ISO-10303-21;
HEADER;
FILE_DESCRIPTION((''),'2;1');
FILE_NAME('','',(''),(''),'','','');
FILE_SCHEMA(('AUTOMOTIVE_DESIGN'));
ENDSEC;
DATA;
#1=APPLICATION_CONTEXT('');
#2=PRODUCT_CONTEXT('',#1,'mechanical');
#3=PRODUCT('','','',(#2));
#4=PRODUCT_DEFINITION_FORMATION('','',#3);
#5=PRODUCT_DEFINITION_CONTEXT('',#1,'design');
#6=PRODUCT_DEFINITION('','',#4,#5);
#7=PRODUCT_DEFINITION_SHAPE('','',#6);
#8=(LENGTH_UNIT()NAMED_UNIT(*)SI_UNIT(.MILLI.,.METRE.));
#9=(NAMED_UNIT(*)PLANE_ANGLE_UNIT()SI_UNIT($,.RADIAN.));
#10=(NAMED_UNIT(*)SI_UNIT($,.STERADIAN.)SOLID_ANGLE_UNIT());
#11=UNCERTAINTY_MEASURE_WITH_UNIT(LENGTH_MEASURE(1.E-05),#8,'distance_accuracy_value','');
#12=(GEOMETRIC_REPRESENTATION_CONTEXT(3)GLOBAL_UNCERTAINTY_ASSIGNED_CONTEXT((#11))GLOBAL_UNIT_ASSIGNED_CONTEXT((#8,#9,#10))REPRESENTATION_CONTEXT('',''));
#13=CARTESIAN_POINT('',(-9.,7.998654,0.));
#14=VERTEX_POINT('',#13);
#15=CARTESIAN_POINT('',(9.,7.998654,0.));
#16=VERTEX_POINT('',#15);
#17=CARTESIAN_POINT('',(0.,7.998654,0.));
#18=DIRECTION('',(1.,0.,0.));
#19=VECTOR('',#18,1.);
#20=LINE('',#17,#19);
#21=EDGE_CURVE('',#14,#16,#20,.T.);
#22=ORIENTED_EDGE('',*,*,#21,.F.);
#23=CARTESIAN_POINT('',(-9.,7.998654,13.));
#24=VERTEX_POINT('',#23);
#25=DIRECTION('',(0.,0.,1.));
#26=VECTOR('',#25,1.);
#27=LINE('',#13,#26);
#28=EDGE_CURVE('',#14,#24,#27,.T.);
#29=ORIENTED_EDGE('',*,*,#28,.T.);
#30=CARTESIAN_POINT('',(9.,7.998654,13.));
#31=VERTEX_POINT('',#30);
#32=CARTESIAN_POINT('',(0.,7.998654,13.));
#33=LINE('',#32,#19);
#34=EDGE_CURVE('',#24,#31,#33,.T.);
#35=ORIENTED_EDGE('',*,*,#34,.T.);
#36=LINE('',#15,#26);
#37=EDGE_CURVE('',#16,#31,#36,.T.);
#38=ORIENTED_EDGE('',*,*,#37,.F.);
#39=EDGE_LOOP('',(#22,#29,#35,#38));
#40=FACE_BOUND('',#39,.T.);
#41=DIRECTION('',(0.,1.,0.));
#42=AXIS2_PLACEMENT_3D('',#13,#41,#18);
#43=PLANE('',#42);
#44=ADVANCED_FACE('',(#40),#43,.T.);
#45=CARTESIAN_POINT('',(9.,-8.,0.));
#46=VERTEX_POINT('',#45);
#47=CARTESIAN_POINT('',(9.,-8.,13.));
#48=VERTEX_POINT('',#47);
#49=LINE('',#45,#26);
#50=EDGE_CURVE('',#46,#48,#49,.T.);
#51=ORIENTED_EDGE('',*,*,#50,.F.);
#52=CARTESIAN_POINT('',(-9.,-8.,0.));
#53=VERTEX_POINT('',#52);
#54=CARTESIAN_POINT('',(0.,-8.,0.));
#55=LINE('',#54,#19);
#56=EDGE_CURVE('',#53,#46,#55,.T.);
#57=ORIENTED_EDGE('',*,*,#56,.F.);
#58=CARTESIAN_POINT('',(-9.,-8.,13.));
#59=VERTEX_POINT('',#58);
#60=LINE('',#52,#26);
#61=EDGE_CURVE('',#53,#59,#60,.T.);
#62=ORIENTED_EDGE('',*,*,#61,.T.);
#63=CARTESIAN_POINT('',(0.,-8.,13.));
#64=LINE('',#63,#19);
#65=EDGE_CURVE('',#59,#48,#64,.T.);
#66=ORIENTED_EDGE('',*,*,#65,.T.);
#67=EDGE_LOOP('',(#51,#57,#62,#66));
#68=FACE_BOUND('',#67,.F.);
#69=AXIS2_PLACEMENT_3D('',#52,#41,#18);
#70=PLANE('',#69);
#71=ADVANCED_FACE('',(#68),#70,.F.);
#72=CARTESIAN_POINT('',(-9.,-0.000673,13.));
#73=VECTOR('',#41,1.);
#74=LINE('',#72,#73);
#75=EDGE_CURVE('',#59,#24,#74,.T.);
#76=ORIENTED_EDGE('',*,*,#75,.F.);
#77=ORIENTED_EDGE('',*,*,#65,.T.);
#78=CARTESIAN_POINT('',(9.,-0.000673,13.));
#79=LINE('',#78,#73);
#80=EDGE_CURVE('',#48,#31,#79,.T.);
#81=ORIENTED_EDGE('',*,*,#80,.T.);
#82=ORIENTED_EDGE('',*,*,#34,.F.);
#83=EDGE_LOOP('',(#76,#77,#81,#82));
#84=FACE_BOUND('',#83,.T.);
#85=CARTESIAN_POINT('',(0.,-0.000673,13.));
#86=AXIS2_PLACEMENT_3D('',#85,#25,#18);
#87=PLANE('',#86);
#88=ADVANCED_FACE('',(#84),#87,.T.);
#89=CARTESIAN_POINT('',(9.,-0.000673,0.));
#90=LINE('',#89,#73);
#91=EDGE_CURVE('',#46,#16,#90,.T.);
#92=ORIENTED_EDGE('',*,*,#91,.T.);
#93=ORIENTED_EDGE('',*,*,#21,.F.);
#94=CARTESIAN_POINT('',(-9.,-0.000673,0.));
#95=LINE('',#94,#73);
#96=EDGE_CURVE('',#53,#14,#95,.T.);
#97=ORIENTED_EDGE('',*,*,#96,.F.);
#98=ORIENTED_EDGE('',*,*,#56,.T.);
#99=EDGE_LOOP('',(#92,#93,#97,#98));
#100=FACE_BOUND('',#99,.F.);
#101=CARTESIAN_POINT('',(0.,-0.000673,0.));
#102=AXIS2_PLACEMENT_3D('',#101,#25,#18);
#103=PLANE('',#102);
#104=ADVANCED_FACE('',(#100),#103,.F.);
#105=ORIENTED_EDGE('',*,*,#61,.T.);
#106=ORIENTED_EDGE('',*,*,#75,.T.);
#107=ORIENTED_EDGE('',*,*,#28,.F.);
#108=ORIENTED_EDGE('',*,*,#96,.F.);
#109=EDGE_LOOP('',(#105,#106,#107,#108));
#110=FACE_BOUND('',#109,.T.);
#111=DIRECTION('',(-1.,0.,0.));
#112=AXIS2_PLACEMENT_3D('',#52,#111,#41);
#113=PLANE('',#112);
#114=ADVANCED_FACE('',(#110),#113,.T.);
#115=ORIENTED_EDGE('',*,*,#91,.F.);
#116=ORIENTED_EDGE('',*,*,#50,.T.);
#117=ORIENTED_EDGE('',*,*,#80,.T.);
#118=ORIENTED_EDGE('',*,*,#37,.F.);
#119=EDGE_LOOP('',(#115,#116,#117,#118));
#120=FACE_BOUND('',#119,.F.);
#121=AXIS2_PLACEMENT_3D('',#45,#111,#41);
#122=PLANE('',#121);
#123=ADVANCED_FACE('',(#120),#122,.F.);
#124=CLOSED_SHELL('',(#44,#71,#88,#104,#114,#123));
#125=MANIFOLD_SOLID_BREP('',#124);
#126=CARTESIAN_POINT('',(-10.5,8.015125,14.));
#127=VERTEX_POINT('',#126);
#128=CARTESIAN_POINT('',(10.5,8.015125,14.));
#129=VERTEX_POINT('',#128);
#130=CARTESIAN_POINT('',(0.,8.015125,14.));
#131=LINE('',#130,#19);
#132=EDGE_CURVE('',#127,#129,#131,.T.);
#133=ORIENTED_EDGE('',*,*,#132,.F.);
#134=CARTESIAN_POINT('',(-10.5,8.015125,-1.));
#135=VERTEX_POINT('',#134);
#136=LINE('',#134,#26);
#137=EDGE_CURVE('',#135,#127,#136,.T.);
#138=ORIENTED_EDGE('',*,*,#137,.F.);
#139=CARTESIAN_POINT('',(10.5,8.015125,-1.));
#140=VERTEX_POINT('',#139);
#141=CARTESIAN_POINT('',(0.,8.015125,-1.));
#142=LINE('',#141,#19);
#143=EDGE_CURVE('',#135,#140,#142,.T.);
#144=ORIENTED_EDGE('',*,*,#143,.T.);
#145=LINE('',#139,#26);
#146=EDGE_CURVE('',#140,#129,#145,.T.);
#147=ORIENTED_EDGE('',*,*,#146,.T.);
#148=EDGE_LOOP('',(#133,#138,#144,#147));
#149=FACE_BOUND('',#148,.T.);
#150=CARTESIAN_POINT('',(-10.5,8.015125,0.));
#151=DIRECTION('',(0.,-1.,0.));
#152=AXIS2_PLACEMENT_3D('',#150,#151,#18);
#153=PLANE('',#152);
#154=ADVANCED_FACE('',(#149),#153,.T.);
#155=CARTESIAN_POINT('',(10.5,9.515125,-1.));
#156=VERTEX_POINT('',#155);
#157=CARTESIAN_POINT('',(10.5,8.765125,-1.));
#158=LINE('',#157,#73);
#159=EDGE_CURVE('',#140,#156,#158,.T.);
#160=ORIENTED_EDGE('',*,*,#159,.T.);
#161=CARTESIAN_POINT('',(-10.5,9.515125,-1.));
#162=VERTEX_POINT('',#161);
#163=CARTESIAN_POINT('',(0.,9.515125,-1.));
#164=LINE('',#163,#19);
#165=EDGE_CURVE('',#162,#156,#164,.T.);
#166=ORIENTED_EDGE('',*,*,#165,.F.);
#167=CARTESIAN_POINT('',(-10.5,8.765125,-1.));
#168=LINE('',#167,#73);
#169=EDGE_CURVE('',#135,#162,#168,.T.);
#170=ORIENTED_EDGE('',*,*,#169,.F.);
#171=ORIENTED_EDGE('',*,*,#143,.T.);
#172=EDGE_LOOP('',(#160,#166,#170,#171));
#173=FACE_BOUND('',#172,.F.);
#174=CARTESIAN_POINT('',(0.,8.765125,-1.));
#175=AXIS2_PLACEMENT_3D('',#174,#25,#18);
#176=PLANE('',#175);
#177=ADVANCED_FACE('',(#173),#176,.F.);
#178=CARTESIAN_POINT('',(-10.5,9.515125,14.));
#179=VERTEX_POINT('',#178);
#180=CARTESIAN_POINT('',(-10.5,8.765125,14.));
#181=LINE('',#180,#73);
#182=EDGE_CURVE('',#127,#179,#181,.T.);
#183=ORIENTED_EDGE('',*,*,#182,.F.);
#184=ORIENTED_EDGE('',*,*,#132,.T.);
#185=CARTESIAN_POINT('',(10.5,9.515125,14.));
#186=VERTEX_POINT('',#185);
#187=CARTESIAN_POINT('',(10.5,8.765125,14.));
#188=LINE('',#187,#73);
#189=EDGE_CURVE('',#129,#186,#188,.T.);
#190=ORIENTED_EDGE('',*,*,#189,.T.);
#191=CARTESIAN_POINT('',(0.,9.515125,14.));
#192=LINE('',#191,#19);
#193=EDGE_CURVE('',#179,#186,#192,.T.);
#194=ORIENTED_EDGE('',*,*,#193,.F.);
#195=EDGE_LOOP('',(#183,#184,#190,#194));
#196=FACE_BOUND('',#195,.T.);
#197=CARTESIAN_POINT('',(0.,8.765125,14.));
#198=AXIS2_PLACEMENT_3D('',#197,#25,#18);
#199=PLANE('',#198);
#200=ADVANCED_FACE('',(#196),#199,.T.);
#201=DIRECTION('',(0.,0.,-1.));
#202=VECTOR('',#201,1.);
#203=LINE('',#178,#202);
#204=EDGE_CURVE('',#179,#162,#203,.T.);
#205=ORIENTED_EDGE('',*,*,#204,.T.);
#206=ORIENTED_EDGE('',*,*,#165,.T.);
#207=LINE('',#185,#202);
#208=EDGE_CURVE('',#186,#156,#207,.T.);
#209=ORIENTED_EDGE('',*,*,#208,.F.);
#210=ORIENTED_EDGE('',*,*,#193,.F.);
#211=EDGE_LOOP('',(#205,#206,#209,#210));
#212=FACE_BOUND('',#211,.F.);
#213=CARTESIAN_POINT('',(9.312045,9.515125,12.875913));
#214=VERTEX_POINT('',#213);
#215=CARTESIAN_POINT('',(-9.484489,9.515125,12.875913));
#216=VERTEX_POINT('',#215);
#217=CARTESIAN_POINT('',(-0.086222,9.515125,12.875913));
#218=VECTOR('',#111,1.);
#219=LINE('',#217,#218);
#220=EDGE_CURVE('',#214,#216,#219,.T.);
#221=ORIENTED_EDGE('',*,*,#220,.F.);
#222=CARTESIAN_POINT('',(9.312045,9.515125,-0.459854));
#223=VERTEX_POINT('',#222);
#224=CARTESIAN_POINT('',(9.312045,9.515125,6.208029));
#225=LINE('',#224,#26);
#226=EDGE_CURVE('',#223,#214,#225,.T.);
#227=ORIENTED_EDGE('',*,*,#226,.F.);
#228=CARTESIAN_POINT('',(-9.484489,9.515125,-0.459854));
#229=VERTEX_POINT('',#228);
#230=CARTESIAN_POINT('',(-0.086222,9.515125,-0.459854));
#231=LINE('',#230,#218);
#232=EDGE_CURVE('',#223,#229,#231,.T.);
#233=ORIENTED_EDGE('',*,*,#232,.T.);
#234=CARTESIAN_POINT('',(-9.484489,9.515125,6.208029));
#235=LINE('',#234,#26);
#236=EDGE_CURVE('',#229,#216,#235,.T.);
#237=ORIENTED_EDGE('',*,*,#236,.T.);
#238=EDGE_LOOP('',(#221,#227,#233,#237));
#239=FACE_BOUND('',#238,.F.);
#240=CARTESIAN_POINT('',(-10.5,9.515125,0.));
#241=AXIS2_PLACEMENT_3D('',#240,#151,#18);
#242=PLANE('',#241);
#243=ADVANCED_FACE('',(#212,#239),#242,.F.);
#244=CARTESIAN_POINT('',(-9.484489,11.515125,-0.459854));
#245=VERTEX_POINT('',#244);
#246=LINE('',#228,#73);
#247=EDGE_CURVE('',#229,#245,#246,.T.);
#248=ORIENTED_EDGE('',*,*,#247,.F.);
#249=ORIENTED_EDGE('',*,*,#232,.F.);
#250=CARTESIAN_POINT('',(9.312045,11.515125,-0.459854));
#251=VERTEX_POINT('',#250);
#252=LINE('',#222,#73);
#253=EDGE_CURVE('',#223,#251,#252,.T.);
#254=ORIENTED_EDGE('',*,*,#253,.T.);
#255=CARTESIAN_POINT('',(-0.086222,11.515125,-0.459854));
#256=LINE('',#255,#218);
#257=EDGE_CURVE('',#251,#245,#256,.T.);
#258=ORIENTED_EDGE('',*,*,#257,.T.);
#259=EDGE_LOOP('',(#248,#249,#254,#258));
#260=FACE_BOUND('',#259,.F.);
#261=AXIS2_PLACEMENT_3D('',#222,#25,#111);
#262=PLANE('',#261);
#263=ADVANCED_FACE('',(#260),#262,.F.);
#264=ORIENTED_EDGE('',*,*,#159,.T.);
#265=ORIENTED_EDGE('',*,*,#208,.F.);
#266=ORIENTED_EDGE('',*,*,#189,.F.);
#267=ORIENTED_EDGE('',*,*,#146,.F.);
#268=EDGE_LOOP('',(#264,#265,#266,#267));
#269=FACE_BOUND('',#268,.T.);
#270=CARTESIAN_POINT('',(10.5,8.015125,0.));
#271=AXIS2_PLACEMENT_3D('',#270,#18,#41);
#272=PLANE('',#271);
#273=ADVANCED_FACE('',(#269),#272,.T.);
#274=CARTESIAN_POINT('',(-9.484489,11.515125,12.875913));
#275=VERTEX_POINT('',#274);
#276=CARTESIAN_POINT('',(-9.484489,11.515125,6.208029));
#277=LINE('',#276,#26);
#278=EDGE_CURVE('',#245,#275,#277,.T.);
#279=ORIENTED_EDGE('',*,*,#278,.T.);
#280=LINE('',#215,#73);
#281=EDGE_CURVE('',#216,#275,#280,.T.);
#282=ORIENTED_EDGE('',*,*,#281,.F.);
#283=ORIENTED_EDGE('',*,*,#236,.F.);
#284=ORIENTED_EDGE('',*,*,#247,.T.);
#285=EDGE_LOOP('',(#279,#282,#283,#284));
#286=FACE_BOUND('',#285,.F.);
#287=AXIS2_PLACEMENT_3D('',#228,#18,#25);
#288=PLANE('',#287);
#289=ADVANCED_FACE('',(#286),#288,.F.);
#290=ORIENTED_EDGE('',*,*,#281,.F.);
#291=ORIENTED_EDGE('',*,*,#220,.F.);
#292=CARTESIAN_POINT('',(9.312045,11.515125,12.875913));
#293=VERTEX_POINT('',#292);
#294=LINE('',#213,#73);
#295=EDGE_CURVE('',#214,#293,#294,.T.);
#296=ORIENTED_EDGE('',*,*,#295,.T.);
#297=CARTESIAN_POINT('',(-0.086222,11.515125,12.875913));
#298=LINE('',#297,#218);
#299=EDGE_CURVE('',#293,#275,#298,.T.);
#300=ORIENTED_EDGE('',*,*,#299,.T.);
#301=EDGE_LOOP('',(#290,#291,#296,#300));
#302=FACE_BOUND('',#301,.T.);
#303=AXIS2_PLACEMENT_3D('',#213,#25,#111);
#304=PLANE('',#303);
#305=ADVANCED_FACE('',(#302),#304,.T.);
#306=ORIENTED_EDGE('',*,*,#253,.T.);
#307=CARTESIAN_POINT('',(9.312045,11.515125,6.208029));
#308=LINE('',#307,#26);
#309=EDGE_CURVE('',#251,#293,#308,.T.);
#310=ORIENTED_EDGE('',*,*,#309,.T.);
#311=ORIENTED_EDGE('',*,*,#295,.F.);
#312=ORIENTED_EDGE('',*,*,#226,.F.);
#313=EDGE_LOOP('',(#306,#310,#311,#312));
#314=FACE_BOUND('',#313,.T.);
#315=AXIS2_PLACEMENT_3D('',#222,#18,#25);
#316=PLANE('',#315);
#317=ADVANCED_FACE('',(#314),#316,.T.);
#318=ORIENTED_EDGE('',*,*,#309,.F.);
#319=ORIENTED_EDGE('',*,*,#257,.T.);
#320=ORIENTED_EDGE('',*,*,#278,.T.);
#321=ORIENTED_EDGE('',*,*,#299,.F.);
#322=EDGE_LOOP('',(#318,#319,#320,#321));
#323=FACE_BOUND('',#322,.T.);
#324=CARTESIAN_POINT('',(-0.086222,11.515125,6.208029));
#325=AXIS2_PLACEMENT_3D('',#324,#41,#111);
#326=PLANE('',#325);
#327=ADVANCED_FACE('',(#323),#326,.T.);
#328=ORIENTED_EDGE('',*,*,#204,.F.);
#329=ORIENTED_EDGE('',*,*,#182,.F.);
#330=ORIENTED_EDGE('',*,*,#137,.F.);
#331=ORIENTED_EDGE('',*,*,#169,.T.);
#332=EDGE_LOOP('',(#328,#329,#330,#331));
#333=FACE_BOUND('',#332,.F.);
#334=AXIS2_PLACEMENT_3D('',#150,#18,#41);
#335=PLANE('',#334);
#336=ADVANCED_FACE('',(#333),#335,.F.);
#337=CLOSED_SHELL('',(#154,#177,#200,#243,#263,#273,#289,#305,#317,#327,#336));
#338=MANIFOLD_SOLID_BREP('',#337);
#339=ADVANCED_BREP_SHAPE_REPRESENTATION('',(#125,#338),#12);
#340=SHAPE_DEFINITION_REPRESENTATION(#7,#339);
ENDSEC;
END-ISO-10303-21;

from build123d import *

# Parameters (mm, degrees)
F0_W          = 18
F0_H          = 15.998654
F1_DEPTH      = 13
F2_W          = 21
F2_H          = 1.5
F3_DEPTH      = 14
F3_DEPTH_BACK = 1
F4_W          = 18.796534
F4_H          = 13.335767
F5_DEPTH      = 2


with BuildPart() as f1:
    # F0 (on Top) → F1 (new body)
    with BuildSketch(Plane.XY):
        with Locations((0, -0.000673)):
            Rectangle(F0_W, F0_H)
    extrude(amount=F1_DEPTH)


with BuildPart() as f3:
    # F2 (on Top) → F3 (new body, two sides)
    with BuildSketch(Plane.XY) as f3_sk:
        with Locations((0, 8.765125)):
            Rectangle(F2_W, F2_H)
    extrude(amount=F3_DEPTH)
    extrude(f3_sk.sketch, amount=-F3_DEPTH_BACK)

    # F4 (on face) → F5 (join)
    with BuildSketch(Plane(origin=(0, 9.515125, 0), x_dir=(-1, 0, 0), z_dir=(0, 1, 0))):
        with Locations((0.086222, 6.208029)):
            Rectangle(F4_W, F4_H)
    extrude(amount=F5_DEPTH)


solid = Compound([f1.part, f3.part])
